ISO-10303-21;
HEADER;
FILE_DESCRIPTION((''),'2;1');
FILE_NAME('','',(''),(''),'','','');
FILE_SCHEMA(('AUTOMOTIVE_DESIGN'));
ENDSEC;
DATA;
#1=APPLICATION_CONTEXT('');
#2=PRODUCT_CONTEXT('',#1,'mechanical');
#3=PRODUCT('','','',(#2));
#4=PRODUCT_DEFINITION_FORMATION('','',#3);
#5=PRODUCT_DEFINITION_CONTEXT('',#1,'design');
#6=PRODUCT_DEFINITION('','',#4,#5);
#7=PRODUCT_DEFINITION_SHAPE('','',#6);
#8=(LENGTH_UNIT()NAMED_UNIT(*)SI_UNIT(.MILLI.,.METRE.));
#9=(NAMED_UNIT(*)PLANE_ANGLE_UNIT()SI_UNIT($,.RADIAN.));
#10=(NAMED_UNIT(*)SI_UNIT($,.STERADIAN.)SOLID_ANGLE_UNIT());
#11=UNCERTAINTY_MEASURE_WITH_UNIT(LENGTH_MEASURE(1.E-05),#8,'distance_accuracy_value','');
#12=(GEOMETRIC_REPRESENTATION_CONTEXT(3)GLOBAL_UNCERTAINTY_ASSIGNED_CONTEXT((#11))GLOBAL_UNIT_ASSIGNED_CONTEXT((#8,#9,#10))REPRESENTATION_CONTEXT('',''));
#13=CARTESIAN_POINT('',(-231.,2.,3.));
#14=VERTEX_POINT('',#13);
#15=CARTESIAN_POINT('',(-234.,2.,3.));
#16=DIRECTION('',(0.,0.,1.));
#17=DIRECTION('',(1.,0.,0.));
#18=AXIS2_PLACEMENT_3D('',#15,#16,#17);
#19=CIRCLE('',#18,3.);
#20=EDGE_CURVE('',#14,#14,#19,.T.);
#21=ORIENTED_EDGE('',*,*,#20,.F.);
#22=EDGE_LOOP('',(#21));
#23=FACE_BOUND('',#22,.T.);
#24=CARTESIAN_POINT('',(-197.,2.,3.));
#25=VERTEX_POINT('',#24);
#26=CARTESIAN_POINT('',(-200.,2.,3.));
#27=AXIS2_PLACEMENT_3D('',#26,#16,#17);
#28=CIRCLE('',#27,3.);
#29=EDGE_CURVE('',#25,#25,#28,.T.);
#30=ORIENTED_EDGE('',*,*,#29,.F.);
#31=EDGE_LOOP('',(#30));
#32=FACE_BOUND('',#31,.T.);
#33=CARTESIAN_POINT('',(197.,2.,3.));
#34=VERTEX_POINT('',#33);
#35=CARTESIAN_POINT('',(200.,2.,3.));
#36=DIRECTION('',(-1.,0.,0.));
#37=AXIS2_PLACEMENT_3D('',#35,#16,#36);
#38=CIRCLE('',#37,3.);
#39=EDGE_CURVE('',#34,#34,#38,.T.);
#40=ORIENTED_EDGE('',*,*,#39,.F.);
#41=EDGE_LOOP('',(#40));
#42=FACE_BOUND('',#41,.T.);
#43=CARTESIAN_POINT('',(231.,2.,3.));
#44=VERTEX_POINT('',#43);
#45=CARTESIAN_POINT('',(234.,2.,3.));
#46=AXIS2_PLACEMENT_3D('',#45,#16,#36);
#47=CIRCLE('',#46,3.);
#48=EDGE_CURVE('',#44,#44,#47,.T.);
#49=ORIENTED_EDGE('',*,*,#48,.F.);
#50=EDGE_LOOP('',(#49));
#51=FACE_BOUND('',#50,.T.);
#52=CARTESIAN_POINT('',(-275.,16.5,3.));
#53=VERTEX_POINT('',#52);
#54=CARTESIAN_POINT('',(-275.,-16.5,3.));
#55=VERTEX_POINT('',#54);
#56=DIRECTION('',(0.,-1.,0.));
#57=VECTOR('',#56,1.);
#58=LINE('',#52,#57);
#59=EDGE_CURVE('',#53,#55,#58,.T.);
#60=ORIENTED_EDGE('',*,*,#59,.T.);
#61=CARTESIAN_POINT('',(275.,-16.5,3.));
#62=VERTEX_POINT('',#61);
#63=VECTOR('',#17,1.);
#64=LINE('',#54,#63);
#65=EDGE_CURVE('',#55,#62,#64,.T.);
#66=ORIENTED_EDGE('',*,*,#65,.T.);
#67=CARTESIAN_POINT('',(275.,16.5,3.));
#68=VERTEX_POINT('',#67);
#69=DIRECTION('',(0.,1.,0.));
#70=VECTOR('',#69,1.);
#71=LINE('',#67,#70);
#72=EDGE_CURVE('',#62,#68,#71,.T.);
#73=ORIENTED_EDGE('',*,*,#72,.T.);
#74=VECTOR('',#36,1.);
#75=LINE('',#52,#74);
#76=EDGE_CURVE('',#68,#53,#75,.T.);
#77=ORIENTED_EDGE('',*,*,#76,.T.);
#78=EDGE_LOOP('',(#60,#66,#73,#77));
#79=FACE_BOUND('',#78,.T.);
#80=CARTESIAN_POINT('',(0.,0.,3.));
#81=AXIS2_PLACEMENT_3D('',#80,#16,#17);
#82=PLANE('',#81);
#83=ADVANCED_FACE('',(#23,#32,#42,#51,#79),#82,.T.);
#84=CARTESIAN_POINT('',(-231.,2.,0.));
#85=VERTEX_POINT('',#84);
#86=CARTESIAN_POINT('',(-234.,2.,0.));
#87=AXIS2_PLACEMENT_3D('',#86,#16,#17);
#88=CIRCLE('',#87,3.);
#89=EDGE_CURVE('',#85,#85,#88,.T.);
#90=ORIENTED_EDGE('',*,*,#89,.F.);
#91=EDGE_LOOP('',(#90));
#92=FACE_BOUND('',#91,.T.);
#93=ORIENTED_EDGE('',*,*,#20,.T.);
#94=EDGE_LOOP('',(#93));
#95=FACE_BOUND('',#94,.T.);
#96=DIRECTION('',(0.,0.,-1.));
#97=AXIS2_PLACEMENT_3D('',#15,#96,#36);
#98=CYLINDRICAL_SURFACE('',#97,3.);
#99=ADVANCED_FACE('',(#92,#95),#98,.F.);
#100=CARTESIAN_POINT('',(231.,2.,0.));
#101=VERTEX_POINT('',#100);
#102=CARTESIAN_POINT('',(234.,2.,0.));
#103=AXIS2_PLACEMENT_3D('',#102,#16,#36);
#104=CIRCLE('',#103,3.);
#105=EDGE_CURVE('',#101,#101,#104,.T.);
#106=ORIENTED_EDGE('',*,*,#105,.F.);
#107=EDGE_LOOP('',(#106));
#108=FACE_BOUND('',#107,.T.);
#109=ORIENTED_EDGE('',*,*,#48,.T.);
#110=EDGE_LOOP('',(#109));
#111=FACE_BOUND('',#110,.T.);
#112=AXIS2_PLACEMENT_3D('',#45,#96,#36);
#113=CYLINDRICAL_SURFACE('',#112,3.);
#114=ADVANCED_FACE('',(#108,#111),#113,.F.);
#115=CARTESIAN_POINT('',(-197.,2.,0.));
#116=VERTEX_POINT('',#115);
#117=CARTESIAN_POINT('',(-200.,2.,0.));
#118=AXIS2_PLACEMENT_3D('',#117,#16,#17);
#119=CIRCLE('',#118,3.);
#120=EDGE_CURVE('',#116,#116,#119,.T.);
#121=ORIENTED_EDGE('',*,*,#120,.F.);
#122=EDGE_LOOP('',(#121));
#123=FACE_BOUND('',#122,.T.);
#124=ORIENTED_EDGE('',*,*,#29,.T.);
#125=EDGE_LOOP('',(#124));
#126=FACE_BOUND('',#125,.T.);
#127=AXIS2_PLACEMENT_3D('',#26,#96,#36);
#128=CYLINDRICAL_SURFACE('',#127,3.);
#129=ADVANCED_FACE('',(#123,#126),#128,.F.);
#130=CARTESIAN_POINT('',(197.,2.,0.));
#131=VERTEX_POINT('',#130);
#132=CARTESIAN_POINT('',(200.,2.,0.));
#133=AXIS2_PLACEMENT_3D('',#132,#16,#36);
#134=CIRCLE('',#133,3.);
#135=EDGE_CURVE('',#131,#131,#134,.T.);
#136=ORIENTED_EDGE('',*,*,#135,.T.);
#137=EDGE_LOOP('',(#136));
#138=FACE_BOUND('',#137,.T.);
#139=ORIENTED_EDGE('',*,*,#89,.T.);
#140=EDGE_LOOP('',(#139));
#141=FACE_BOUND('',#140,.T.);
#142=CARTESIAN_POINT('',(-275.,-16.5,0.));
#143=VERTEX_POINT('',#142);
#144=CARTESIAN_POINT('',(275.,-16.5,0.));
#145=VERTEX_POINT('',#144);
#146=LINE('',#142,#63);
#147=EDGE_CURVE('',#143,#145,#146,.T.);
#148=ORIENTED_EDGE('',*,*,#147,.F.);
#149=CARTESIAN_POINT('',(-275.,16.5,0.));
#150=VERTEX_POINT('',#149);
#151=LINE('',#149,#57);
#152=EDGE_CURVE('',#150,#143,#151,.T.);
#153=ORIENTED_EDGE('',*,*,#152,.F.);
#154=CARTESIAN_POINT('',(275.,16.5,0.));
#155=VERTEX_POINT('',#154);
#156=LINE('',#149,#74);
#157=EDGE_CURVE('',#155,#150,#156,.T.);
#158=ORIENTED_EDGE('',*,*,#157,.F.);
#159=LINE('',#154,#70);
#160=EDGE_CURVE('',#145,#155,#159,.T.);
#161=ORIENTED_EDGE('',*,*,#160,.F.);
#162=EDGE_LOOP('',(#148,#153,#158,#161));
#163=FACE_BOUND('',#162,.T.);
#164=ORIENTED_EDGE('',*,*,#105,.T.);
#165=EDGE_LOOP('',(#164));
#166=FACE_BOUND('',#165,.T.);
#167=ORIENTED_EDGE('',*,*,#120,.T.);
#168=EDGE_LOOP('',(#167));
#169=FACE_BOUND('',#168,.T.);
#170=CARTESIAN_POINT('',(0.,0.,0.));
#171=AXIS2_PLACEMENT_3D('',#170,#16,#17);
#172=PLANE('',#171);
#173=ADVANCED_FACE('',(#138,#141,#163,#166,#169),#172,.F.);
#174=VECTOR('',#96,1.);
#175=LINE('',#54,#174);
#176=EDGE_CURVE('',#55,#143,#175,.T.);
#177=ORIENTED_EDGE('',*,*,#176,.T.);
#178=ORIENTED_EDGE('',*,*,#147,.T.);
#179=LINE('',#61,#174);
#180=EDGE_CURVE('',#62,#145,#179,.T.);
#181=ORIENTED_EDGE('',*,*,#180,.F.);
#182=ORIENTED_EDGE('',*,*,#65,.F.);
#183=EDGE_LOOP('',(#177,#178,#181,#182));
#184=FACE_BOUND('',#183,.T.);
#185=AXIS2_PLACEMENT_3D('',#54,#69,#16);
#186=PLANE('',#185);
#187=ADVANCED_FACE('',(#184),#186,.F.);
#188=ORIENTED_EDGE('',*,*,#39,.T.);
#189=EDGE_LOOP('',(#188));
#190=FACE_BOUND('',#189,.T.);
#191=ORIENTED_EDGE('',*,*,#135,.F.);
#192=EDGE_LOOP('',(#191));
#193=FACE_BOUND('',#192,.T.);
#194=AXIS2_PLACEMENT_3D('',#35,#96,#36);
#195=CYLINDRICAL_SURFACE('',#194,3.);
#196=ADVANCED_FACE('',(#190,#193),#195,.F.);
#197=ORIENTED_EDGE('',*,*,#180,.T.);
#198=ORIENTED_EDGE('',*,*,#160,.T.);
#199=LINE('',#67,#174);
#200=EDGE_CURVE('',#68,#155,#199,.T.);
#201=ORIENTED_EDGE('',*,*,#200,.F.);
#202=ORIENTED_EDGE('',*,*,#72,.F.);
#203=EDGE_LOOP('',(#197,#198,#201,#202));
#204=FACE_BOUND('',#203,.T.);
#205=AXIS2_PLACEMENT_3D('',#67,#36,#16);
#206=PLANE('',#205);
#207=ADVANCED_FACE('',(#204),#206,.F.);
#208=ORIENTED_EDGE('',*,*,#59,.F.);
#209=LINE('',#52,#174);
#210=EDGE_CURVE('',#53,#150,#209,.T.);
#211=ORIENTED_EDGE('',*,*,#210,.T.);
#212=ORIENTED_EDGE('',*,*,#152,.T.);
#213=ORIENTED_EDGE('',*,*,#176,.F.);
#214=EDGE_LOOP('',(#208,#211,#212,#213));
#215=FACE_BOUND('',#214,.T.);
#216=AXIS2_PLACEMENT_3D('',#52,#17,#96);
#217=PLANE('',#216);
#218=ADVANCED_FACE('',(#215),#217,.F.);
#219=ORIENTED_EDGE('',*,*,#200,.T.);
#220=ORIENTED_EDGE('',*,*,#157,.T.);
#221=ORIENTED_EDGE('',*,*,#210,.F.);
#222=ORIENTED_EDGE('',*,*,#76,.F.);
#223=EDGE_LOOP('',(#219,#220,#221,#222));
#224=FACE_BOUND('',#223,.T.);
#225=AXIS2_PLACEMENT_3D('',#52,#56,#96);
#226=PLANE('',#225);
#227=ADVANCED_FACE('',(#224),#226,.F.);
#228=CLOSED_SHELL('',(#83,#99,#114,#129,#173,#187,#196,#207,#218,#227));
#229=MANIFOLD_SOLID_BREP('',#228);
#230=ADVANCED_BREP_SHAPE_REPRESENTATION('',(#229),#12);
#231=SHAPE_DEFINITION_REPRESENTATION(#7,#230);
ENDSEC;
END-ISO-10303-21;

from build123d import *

# Parameters (mm, degrees)
SKETCH_1_W          = 550
SKETCH_1_H          = 33
EXTRUDE_1_DEPTH     = 3
SKETCH_2_R          = 3
CUT_EXTRUDE_1_DEPTH = 276.510889077


with BuildPart() as part:
    # 草图1 → 凸台-拉伸1 (new body)
    with BuildSketch(Plane.XY):
        Rectangle(SKETCH_1_W, SKETCH_1_H)
    extrude(amount=EXTRUDE_1_DEPTH)

    # 草图2 → 切除-拉伸1 (cut, through all)
    with BuildSketch(Plane.XY):
        with Locations((-234, 2)):
            Circle(SKETCH_2_R)
        with Locations((-200, 2)):
            Circle(SKETCH_2_R)
        with Locations(Location((200, 2, 0), (0, 0, 180))):
            Circle(SKETCH_2_R)
        with Locations(Location((234, 2, 0), (0, 0, 180))):
            Circle(SKETCH_2_R)
    extrude(amount=CUT_EXTRUDE_1_DEPTH, mode=Mode.SUBTRACT)


solid = part.part
